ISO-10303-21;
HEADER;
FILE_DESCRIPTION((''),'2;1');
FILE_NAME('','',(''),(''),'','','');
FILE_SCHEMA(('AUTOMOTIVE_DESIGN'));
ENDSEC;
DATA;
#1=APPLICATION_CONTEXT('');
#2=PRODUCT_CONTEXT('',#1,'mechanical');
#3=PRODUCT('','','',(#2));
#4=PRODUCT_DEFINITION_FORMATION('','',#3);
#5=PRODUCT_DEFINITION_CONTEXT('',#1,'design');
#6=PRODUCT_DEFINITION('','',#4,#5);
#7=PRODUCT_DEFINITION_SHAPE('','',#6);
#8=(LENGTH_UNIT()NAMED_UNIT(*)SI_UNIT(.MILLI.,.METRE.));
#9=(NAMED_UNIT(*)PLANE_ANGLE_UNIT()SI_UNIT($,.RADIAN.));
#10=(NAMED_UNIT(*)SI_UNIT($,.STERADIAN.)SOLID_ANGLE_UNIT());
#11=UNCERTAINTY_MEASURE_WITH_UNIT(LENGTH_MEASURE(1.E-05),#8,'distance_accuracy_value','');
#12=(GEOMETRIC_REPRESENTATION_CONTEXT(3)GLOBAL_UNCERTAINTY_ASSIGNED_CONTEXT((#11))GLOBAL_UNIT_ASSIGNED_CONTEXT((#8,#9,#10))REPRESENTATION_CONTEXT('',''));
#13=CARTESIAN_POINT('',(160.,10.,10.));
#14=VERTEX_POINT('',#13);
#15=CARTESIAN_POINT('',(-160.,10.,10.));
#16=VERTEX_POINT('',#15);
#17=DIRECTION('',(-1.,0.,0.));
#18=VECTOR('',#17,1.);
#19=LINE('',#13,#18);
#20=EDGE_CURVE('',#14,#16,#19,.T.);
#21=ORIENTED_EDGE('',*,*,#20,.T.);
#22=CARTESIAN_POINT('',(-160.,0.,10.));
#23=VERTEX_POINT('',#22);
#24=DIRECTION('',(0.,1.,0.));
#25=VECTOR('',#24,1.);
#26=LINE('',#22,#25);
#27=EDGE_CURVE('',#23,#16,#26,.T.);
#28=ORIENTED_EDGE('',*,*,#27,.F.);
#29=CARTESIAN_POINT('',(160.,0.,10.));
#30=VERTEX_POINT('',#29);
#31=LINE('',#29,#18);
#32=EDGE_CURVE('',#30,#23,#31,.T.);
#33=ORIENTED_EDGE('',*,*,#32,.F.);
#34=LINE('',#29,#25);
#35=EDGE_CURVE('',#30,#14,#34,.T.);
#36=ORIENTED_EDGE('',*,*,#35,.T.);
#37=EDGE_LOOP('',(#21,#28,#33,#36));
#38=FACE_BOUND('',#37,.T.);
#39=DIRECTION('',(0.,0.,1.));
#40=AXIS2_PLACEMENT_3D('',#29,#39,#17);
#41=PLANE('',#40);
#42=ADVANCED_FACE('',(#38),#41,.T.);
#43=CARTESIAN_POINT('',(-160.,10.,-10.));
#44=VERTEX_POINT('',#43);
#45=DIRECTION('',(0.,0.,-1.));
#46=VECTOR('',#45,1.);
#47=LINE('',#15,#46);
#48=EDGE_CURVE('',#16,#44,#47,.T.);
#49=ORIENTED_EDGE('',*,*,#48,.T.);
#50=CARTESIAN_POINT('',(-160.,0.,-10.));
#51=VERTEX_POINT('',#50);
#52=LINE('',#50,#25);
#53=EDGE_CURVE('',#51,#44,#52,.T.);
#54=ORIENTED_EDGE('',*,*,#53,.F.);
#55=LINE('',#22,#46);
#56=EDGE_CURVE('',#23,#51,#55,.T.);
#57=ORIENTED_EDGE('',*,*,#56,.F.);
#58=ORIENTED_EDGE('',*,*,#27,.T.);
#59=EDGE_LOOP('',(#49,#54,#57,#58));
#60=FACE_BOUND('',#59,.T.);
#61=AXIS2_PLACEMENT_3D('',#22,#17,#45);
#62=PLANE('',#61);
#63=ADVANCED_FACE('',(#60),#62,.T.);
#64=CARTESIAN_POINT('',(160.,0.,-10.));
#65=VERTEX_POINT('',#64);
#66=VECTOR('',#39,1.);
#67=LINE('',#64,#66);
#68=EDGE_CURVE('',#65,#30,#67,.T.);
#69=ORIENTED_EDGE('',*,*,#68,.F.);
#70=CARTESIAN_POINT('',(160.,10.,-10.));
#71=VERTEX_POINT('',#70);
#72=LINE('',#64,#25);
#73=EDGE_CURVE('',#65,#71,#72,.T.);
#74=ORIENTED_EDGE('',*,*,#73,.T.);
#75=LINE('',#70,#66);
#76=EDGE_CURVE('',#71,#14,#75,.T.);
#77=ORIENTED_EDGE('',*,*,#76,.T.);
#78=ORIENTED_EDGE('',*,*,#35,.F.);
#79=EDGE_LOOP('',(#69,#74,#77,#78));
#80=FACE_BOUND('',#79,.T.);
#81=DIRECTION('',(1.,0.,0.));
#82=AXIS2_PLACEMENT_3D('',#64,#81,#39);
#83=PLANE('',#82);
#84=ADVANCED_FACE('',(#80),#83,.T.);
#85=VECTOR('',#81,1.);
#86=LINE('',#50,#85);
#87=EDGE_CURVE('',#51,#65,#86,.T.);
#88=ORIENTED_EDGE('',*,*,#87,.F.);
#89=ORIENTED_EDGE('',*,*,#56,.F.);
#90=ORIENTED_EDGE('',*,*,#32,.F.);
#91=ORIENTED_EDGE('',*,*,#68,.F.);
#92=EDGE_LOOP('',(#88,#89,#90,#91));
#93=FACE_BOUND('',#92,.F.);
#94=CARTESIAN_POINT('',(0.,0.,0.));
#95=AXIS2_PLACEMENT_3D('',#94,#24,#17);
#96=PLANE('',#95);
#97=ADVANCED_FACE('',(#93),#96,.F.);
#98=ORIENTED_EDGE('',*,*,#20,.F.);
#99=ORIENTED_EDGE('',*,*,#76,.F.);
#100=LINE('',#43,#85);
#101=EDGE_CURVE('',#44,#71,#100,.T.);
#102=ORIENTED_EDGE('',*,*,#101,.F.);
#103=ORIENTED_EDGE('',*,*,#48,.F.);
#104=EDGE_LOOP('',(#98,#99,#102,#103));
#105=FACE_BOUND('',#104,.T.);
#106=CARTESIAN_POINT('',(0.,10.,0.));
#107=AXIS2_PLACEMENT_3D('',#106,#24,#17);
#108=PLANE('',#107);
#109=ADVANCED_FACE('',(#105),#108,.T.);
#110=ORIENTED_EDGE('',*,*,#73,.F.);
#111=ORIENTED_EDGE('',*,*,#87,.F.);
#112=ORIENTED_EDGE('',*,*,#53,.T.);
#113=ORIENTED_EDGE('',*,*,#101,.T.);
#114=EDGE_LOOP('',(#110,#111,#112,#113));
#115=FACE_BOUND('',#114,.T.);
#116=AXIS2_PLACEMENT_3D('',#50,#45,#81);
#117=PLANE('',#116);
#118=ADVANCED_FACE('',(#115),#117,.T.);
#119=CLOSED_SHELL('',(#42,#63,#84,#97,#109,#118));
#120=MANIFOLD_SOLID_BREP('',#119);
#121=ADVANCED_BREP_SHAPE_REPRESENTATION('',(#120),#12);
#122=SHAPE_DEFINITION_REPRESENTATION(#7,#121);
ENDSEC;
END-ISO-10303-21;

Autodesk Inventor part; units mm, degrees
ref_plane "YZ Plane" through (0, 0, 0) normal (1, 0, 0) x (0, 1, 0)
ref_plane "XZ Plane" through (0, 0, 0) normal (0, 1, 0) x (-1, 0, 0)
ref_plane "XY Plane" through (0, 0, 0) normal (0, 0, 1) x (1, 0, 0)
sketch "Sketch1" plane through (0, 0, 0) normal (0, 1, 0) x (-1, 0, 0)
  line L0 (160, -10) -> (-160, -10)
  line L1 (-160, -10) -> (-160, 10)
  line L2 (-160, 10) -> (160, 10)
  line L3 (160, 10) -> (160, -10)
  line L4 (160, -10) -> (-160, 10) construction
  line L5 (-160, -10) -> (160, 10) construction
  point P0 (0, 0)
  dimension "d0" = 320
  dimension "d1" = 20
extrude "Extrusion1" add sketch "Sketch1" along normal blind 10
properties part number "dock to dock connectors"
